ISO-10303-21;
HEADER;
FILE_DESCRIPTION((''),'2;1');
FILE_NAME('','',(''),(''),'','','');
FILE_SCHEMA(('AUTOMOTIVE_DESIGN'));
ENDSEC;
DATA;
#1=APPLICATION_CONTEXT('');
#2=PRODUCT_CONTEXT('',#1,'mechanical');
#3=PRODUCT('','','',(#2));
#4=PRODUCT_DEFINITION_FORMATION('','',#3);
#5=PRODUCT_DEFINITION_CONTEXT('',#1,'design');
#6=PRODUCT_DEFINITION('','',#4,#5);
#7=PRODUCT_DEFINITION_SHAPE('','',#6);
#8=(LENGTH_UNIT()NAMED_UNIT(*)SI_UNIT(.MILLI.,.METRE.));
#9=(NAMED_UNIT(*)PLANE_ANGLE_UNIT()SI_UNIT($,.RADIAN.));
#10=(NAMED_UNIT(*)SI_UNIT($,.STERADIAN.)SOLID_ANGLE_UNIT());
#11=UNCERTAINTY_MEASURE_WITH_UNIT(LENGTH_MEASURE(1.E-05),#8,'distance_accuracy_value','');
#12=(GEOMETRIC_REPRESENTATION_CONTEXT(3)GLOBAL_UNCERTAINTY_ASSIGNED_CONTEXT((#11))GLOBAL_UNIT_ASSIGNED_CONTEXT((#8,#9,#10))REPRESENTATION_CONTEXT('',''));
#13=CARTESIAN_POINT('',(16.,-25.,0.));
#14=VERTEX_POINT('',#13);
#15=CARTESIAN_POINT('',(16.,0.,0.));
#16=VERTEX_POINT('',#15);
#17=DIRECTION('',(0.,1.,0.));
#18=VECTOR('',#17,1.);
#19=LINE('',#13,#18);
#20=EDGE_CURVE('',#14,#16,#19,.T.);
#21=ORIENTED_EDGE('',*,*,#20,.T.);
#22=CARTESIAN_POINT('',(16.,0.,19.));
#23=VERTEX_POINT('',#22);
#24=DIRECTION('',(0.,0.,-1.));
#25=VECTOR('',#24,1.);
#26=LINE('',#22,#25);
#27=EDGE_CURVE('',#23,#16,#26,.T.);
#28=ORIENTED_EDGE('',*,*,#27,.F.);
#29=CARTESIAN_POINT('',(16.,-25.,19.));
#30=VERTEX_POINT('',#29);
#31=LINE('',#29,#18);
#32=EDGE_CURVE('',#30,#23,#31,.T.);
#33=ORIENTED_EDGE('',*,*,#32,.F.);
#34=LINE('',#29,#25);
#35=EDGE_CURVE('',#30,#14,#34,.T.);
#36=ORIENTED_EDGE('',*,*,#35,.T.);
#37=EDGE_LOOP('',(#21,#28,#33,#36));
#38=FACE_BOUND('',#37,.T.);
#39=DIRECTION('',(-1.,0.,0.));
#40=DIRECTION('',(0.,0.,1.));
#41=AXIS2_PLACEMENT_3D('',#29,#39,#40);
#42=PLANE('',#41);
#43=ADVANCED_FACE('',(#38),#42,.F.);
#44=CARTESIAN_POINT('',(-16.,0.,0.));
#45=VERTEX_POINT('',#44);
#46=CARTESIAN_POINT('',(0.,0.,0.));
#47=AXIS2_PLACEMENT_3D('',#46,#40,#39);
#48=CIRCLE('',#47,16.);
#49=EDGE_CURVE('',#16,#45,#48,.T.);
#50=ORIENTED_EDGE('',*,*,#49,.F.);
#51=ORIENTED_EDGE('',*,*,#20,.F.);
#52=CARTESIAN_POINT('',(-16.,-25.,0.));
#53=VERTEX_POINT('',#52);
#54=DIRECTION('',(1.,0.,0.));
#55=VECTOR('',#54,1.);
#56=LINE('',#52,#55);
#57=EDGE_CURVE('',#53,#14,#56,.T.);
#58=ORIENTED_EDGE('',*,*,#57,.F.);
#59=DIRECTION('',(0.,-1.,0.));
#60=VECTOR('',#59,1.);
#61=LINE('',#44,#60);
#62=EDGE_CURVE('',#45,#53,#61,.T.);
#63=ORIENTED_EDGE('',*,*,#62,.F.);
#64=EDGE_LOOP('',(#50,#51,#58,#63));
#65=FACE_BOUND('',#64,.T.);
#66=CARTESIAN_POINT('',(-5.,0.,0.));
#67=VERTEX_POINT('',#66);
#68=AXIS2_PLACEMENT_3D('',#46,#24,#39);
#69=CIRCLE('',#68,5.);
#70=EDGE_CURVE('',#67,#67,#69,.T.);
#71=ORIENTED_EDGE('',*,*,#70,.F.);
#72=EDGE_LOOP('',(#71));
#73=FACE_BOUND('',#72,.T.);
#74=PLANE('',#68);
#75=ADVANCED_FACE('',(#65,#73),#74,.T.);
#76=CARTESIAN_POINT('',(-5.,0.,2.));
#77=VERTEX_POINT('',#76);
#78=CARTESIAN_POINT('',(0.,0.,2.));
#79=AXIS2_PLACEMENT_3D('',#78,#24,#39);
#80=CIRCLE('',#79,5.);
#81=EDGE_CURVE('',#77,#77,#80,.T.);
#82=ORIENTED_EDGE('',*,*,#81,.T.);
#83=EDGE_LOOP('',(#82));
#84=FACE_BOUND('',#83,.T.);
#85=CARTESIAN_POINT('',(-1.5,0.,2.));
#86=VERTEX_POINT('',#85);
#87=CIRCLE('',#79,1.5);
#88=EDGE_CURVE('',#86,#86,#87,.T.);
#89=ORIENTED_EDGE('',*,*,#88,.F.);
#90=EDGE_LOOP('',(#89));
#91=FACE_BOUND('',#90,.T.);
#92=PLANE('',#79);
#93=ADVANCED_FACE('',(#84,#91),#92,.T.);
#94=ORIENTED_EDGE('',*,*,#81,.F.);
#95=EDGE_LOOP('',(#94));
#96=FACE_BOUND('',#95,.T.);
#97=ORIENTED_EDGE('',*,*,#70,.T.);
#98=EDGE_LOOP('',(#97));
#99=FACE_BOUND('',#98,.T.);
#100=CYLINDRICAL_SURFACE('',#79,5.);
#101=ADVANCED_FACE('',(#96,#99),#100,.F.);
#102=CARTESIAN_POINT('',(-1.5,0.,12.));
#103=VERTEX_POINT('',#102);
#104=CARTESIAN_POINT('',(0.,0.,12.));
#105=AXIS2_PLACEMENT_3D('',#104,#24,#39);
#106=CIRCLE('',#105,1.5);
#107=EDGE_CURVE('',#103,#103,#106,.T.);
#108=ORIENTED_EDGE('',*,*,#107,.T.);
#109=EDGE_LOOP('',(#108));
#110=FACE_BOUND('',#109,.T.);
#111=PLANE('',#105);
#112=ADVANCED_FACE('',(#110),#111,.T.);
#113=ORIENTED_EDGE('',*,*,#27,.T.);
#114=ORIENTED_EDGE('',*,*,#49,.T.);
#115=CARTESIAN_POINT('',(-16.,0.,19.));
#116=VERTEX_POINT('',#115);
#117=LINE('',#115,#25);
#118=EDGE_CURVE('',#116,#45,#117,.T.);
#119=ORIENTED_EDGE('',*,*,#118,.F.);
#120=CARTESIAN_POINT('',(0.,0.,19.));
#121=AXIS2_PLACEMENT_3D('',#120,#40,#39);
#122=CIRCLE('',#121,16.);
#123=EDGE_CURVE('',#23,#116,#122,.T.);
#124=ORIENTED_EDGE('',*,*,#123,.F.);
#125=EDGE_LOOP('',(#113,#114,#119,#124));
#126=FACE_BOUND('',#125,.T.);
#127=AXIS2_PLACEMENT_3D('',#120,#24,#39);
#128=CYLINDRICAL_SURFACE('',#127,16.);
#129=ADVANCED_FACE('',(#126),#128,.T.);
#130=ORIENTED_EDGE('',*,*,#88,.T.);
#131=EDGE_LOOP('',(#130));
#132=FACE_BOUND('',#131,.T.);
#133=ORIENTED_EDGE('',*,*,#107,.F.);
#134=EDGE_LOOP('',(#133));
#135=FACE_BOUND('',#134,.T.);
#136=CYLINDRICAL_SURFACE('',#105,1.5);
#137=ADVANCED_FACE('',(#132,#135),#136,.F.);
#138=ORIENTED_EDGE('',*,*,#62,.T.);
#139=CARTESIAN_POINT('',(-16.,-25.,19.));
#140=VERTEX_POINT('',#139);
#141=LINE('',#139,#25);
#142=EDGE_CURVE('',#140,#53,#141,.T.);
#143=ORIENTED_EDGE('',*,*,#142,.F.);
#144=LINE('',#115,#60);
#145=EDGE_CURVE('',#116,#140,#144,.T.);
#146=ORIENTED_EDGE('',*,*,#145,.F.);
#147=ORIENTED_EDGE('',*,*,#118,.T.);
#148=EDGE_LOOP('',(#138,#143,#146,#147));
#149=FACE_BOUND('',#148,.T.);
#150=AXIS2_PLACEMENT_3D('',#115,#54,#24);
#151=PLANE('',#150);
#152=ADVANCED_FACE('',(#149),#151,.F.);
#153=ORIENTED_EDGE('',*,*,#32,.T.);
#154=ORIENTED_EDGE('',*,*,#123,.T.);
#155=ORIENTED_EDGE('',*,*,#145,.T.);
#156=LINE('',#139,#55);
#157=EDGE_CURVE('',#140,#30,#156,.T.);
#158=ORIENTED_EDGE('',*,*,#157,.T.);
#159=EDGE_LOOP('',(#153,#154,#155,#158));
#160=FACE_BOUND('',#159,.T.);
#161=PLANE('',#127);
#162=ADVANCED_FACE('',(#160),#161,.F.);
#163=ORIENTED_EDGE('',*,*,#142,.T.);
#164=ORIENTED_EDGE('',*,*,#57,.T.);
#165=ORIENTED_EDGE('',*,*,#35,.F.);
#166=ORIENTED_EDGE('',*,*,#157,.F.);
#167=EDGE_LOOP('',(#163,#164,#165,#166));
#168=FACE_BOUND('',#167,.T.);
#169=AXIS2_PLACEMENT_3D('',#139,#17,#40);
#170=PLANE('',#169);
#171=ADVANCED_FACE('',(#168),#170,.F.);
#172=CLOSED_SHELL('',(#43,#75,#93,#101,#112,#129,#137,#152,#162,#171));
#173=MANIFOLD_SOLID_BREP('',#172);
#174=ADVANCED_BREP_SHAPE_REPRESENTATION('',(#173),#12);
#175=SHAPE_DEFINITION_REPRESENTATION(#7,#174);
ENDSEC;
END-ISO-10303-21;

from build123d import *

# Parameters (mm, degrees)
EXTRUDE_1_DEPTH     = 19
SKETCH_2_R          = 5
CUT_EXTRUDE_1_DEPTH = 2
SKETCH_3_R          = 1.5
CUT_EXTRUDE_2_DEPTH = 10


with BuildPart() as part:
    # 草圖1 → 填料-伸長1 (new body)
    with BuildSketch(Plane.XY):
        with BuildLine():
            Line((-16, 0), (-16, -25))
            Line((-16, -25), (16, -25))
            Line((16, -25), (16, 0))
            ThreePointArc((16, 0), (0, 16), (-16, 0))
        make_face()
    extrude(amount=EXTRUDE_1_DEPTH)

    # 草圖2 → 除料-伸長1 (cut)
    with BuildSketch(Plane(origin=(0, 0, 0), x_dir=(-1, 0, 0), z_dir=(0, 0, -1))):
        Circle(SKETCH_2_R)
    extrude(amount=-CUT_EXTRUDE_1_DEPTH, mode=Mode.SUBTRACT)

    # 草圖3 → 除料-伸長2 (cut)
    with BuildSketch(Plane(origin=(0, 0, 2), x_dir=(-1, 0, 0), z_dir=(0, 0, -1))):
        Circle(SKETCH_3_R)
    extrude(amount=-CUT_EXTRUDE_2_DEPTH, mode=Mode.SUBTRACT)


solid = part.part
